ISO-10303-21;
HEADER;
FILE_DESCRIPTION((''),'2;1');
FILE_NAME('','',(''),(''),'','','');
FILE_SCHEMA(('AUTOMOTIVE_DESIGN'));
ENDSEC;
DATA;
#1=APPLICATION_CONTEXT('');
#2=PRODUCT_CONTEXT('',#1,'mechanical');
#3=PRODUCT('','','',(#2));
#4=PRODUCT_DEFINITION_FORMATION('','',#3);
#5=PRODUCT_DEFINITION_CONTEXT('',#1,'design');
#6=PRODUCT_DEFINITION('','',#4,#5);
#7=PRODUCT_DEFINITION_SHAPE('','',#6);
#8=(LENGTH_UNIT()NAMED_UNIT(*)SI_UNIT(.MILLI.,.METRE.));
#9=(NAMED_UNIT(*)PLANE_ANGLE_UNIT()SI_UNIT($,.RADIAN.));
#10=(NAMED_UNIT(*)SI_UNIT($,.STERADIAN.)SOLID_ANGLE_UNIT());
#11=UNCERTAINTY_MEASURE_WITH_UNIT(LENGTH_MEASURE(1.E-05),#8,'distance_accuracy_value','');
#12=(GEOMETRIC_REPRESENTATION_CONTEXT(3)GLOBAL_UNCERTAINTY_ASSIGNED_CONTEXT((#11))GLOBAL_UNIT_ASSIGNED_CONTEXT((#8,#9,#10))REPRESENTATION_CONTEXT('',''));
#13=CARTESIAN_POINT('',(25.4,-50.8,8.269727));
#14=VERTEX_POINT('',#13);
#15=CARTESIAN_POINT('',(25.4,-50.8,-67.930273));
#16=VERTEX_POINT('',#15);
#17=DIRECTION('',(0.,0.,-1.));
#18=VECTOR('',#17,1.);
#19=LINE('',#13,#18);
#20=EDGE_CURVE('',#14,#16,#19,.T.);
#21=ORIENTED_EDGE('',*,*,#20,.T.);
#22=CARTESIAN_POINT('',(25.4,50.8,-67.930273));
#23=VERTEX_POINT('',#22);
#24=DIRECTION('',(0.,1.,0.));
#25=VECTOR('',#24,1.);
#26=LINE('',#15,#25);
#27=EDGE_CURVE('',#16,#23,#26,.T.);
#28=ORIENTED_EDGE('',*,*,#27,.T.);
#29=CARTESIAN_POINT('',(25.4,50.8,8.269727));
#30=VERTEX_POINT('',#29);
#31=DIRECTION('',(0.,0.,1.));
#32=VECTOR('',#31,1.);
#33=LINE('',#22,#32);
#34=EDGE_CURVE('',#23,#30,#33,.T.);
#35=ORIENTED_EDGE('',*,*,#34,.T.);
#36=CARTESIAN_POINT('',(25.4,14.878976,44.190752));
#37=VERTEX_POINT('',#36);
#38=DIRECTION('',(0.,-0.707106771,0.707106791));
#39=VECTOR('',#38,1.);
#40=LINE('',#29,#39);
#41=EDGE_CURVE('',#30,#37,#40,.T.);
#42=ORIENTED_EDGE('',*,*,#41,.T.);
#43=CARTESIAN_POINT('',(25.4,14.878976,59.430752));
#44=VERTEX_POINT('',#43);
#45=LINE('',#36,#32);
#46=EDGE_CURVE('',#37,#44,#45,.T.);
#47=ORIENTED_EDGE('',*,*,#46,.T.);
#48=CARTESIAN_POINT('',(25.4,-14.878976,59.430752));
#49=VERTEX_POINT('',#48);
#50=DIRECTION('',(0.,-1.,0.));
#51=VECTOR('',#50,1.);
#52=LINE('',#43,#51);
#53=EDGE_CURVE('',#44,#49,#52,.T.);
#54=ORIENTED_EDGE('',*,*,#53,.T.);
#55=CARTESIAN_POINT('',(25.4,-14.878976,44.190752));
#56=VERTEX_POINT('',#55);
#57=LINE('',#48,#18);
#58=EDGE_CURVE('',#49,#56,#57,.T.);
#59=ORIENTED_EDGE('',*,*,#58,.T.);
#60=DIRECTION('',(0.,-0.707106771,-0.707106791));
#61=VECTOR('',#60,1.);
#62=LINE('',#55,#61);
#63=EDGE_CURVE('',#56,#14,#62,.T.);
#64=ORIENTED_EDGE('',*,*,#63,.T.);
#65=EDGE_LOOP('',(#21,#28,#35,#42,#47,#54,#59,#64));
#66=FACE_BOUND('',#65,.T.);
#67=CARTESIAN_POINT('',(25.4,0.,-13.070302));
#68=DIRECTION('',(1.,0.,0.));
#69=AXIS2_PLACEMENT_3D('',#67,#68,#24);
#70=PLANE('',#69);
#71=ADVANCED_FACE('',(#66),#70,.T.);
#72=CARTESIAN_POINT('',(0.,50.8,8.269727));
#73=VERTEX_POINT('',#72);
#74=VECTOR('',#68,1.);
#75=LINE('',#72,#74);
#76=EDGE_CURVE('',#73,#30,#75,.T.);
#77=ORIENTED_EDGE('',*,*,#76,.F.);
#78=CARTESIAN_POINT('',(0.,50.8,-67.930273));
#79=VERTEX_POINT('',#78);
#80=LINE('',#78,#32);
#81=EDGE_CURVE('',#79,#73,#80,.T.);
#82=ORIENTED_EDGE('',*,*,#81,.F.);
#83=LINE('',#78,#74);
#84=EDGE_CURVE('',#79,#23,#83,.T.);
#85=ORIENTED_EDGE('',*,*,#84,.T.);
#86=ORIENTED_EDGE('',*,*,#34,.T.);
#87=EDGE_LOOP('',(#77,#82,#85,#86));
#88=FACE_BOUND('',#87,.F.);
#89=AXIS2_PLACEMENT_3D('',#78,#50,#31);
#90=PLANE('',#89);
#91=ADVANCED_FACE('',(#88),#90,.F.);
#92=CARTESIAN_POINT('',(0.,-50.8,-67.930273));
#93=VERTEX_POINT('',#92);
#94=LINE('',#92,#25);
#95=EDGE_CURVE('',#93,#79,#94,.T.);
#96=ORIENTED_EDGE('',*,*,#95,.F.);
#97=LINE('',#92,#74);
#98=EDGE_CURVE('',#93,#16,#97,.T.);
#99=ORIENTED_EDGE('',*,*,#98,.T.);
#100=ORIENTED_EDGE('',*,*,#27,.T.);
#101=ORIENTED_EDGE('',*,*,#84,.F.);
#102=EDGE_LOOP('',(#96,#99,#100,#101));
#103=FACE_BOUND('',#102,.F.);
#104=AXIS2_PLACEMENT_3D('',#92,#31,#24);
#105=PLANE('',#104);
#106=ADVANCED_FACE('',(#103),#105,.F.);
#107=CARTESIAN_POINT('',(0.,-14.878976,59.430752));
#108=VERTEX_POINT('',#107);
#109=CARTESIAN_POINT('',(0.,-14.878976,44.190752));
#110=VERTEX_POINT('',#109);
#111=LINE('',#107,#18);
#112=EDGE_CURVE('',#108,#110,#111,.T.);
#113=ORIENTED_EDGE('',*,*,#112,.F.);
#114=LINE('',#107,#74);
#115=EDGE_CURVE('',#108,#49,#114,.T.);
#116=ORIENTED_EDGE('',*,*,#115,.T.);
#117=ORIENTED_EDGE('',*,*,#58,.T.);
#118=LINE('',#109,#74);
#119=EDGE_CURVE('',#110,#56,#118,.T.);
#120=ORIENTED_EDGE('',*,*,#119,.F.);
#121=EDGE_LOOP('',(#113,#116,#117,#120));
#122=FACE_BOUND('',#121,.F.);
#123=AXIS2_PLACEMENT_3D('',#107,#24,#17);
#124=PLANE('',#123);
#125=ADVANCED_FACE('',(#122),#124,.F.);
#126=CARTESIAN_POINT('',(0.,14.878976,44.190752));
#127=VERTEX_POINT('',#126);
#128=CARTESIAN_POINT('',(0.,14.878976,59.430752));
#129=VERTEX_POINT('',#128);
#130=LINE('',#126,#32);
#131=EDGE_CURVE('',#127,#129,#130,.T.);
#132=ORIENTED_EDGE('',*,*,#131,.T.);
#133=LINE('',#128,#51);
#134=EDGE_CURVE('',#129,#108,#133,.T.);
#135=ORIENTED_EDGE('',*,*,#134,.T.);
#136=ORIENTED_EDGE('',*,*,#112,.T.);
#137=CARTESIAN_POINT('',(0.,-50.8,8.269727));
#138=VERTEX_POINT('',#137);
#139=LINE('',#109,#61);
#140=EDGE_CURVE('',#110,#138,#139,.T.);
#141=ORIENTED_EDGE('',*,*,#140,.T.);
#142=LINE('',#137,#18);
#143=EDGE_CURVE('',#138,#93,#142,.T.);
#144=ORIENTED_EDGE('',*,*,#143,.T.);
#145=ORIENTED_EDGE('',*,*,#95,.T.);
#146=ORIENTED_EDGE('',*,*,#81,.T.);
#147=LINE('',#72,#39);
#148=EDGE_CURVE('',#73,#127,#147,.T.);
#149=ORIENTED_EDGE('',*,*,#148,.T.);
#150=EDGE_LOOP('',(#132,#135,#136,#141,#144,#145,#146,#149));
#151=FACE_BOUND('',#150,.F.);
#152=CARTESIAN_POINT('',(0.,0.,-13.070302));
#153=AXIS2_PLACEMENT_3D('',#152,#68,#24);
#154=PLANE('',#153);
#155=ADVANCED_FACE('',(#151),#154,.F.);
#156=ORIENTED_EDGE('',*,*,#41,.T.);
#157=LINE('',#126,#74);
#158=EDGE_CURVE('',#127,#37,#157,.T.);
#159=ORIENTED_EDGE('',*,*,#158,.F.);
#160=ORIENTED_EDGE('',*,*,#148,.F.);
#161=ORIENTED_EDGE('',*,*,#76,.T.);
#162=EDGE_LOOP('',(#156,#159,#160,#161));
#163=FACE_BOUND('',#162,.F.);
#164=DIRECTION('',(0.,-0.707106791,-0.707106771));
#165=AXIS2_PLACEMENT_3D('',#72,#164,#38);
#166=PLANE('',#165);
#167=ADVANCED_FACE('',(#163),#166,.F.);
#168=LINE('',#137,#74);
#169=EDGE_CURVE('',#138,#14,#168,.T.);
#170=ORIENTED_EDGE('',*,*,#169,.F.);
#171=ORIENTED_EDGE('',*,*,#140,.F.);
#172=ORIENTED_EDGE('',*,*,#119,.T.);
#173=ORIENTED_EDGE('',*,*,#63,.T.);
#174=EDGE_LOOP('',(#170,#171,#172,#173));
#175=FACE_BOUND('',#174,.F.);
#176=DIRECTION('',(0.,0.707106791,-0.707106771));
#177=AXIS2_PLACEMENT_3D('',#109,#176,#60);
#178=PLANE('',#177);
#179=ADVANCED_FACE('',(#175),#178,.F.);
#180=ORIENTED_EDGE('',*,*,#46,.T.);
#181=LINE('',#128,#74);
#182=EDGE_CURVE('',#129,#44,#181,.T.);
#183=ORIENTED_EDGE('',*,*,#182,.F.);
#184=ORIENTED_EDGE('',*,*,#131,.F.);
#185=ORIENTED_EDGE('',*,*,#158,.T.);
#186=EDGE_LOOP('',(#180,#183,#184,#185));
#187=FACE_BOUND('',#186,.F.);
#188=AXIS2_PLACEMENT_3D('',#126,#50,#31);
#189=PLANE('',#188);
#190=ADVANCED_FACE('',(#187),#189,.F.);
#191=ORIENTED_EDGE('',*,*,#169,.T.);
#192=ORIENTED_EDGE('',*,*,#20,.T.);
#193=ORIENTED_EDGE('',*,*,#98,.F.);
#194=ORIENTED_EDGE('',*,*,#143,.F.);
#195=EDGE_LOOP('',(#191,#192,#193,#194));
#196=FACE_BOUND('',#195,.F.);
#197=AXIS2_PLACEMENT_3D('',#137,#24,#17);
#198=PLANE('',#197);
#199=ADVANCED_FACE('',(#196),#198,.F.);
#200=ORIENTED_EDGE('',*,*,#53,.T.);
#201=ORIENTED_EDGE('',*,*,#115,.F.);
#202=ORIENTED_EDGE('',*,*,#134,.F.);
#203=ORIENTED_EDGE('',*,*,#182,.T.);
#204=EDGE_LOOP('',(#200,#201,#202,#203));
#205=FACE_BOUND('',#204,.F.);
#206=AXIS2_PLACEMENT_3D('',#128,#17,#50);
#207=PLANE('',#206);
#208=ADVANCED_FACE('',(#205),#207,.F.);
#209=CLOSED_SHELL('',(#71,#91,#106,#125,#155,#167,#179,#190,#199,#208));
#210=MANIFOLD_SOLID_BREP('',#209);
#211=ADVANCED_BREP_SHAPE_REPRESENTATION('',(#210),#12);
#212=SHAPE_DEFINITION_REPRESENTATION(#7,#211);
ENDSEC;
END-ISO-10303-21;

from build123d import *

# Parameters (mm, degrees)
F1_DEPTH = 25.4


with BuildPart() as f1:
    # F0 (on Right) → F1 (new body)
    with BuildSketch(Plane.YZ):
        Polygon((-50.8, 8.269727), (-50.8, -67.930273), (50.8, -67.930273), (50.8, 8.269727), (14.878976, 44.190752), (14.878976, 59.430752), (0, 59.430752), (-14.878976, 59.430752), (-14.878976, 44.190752), align=None)
    extrude(amount=F1_DEPTH)


solid = f1.part
